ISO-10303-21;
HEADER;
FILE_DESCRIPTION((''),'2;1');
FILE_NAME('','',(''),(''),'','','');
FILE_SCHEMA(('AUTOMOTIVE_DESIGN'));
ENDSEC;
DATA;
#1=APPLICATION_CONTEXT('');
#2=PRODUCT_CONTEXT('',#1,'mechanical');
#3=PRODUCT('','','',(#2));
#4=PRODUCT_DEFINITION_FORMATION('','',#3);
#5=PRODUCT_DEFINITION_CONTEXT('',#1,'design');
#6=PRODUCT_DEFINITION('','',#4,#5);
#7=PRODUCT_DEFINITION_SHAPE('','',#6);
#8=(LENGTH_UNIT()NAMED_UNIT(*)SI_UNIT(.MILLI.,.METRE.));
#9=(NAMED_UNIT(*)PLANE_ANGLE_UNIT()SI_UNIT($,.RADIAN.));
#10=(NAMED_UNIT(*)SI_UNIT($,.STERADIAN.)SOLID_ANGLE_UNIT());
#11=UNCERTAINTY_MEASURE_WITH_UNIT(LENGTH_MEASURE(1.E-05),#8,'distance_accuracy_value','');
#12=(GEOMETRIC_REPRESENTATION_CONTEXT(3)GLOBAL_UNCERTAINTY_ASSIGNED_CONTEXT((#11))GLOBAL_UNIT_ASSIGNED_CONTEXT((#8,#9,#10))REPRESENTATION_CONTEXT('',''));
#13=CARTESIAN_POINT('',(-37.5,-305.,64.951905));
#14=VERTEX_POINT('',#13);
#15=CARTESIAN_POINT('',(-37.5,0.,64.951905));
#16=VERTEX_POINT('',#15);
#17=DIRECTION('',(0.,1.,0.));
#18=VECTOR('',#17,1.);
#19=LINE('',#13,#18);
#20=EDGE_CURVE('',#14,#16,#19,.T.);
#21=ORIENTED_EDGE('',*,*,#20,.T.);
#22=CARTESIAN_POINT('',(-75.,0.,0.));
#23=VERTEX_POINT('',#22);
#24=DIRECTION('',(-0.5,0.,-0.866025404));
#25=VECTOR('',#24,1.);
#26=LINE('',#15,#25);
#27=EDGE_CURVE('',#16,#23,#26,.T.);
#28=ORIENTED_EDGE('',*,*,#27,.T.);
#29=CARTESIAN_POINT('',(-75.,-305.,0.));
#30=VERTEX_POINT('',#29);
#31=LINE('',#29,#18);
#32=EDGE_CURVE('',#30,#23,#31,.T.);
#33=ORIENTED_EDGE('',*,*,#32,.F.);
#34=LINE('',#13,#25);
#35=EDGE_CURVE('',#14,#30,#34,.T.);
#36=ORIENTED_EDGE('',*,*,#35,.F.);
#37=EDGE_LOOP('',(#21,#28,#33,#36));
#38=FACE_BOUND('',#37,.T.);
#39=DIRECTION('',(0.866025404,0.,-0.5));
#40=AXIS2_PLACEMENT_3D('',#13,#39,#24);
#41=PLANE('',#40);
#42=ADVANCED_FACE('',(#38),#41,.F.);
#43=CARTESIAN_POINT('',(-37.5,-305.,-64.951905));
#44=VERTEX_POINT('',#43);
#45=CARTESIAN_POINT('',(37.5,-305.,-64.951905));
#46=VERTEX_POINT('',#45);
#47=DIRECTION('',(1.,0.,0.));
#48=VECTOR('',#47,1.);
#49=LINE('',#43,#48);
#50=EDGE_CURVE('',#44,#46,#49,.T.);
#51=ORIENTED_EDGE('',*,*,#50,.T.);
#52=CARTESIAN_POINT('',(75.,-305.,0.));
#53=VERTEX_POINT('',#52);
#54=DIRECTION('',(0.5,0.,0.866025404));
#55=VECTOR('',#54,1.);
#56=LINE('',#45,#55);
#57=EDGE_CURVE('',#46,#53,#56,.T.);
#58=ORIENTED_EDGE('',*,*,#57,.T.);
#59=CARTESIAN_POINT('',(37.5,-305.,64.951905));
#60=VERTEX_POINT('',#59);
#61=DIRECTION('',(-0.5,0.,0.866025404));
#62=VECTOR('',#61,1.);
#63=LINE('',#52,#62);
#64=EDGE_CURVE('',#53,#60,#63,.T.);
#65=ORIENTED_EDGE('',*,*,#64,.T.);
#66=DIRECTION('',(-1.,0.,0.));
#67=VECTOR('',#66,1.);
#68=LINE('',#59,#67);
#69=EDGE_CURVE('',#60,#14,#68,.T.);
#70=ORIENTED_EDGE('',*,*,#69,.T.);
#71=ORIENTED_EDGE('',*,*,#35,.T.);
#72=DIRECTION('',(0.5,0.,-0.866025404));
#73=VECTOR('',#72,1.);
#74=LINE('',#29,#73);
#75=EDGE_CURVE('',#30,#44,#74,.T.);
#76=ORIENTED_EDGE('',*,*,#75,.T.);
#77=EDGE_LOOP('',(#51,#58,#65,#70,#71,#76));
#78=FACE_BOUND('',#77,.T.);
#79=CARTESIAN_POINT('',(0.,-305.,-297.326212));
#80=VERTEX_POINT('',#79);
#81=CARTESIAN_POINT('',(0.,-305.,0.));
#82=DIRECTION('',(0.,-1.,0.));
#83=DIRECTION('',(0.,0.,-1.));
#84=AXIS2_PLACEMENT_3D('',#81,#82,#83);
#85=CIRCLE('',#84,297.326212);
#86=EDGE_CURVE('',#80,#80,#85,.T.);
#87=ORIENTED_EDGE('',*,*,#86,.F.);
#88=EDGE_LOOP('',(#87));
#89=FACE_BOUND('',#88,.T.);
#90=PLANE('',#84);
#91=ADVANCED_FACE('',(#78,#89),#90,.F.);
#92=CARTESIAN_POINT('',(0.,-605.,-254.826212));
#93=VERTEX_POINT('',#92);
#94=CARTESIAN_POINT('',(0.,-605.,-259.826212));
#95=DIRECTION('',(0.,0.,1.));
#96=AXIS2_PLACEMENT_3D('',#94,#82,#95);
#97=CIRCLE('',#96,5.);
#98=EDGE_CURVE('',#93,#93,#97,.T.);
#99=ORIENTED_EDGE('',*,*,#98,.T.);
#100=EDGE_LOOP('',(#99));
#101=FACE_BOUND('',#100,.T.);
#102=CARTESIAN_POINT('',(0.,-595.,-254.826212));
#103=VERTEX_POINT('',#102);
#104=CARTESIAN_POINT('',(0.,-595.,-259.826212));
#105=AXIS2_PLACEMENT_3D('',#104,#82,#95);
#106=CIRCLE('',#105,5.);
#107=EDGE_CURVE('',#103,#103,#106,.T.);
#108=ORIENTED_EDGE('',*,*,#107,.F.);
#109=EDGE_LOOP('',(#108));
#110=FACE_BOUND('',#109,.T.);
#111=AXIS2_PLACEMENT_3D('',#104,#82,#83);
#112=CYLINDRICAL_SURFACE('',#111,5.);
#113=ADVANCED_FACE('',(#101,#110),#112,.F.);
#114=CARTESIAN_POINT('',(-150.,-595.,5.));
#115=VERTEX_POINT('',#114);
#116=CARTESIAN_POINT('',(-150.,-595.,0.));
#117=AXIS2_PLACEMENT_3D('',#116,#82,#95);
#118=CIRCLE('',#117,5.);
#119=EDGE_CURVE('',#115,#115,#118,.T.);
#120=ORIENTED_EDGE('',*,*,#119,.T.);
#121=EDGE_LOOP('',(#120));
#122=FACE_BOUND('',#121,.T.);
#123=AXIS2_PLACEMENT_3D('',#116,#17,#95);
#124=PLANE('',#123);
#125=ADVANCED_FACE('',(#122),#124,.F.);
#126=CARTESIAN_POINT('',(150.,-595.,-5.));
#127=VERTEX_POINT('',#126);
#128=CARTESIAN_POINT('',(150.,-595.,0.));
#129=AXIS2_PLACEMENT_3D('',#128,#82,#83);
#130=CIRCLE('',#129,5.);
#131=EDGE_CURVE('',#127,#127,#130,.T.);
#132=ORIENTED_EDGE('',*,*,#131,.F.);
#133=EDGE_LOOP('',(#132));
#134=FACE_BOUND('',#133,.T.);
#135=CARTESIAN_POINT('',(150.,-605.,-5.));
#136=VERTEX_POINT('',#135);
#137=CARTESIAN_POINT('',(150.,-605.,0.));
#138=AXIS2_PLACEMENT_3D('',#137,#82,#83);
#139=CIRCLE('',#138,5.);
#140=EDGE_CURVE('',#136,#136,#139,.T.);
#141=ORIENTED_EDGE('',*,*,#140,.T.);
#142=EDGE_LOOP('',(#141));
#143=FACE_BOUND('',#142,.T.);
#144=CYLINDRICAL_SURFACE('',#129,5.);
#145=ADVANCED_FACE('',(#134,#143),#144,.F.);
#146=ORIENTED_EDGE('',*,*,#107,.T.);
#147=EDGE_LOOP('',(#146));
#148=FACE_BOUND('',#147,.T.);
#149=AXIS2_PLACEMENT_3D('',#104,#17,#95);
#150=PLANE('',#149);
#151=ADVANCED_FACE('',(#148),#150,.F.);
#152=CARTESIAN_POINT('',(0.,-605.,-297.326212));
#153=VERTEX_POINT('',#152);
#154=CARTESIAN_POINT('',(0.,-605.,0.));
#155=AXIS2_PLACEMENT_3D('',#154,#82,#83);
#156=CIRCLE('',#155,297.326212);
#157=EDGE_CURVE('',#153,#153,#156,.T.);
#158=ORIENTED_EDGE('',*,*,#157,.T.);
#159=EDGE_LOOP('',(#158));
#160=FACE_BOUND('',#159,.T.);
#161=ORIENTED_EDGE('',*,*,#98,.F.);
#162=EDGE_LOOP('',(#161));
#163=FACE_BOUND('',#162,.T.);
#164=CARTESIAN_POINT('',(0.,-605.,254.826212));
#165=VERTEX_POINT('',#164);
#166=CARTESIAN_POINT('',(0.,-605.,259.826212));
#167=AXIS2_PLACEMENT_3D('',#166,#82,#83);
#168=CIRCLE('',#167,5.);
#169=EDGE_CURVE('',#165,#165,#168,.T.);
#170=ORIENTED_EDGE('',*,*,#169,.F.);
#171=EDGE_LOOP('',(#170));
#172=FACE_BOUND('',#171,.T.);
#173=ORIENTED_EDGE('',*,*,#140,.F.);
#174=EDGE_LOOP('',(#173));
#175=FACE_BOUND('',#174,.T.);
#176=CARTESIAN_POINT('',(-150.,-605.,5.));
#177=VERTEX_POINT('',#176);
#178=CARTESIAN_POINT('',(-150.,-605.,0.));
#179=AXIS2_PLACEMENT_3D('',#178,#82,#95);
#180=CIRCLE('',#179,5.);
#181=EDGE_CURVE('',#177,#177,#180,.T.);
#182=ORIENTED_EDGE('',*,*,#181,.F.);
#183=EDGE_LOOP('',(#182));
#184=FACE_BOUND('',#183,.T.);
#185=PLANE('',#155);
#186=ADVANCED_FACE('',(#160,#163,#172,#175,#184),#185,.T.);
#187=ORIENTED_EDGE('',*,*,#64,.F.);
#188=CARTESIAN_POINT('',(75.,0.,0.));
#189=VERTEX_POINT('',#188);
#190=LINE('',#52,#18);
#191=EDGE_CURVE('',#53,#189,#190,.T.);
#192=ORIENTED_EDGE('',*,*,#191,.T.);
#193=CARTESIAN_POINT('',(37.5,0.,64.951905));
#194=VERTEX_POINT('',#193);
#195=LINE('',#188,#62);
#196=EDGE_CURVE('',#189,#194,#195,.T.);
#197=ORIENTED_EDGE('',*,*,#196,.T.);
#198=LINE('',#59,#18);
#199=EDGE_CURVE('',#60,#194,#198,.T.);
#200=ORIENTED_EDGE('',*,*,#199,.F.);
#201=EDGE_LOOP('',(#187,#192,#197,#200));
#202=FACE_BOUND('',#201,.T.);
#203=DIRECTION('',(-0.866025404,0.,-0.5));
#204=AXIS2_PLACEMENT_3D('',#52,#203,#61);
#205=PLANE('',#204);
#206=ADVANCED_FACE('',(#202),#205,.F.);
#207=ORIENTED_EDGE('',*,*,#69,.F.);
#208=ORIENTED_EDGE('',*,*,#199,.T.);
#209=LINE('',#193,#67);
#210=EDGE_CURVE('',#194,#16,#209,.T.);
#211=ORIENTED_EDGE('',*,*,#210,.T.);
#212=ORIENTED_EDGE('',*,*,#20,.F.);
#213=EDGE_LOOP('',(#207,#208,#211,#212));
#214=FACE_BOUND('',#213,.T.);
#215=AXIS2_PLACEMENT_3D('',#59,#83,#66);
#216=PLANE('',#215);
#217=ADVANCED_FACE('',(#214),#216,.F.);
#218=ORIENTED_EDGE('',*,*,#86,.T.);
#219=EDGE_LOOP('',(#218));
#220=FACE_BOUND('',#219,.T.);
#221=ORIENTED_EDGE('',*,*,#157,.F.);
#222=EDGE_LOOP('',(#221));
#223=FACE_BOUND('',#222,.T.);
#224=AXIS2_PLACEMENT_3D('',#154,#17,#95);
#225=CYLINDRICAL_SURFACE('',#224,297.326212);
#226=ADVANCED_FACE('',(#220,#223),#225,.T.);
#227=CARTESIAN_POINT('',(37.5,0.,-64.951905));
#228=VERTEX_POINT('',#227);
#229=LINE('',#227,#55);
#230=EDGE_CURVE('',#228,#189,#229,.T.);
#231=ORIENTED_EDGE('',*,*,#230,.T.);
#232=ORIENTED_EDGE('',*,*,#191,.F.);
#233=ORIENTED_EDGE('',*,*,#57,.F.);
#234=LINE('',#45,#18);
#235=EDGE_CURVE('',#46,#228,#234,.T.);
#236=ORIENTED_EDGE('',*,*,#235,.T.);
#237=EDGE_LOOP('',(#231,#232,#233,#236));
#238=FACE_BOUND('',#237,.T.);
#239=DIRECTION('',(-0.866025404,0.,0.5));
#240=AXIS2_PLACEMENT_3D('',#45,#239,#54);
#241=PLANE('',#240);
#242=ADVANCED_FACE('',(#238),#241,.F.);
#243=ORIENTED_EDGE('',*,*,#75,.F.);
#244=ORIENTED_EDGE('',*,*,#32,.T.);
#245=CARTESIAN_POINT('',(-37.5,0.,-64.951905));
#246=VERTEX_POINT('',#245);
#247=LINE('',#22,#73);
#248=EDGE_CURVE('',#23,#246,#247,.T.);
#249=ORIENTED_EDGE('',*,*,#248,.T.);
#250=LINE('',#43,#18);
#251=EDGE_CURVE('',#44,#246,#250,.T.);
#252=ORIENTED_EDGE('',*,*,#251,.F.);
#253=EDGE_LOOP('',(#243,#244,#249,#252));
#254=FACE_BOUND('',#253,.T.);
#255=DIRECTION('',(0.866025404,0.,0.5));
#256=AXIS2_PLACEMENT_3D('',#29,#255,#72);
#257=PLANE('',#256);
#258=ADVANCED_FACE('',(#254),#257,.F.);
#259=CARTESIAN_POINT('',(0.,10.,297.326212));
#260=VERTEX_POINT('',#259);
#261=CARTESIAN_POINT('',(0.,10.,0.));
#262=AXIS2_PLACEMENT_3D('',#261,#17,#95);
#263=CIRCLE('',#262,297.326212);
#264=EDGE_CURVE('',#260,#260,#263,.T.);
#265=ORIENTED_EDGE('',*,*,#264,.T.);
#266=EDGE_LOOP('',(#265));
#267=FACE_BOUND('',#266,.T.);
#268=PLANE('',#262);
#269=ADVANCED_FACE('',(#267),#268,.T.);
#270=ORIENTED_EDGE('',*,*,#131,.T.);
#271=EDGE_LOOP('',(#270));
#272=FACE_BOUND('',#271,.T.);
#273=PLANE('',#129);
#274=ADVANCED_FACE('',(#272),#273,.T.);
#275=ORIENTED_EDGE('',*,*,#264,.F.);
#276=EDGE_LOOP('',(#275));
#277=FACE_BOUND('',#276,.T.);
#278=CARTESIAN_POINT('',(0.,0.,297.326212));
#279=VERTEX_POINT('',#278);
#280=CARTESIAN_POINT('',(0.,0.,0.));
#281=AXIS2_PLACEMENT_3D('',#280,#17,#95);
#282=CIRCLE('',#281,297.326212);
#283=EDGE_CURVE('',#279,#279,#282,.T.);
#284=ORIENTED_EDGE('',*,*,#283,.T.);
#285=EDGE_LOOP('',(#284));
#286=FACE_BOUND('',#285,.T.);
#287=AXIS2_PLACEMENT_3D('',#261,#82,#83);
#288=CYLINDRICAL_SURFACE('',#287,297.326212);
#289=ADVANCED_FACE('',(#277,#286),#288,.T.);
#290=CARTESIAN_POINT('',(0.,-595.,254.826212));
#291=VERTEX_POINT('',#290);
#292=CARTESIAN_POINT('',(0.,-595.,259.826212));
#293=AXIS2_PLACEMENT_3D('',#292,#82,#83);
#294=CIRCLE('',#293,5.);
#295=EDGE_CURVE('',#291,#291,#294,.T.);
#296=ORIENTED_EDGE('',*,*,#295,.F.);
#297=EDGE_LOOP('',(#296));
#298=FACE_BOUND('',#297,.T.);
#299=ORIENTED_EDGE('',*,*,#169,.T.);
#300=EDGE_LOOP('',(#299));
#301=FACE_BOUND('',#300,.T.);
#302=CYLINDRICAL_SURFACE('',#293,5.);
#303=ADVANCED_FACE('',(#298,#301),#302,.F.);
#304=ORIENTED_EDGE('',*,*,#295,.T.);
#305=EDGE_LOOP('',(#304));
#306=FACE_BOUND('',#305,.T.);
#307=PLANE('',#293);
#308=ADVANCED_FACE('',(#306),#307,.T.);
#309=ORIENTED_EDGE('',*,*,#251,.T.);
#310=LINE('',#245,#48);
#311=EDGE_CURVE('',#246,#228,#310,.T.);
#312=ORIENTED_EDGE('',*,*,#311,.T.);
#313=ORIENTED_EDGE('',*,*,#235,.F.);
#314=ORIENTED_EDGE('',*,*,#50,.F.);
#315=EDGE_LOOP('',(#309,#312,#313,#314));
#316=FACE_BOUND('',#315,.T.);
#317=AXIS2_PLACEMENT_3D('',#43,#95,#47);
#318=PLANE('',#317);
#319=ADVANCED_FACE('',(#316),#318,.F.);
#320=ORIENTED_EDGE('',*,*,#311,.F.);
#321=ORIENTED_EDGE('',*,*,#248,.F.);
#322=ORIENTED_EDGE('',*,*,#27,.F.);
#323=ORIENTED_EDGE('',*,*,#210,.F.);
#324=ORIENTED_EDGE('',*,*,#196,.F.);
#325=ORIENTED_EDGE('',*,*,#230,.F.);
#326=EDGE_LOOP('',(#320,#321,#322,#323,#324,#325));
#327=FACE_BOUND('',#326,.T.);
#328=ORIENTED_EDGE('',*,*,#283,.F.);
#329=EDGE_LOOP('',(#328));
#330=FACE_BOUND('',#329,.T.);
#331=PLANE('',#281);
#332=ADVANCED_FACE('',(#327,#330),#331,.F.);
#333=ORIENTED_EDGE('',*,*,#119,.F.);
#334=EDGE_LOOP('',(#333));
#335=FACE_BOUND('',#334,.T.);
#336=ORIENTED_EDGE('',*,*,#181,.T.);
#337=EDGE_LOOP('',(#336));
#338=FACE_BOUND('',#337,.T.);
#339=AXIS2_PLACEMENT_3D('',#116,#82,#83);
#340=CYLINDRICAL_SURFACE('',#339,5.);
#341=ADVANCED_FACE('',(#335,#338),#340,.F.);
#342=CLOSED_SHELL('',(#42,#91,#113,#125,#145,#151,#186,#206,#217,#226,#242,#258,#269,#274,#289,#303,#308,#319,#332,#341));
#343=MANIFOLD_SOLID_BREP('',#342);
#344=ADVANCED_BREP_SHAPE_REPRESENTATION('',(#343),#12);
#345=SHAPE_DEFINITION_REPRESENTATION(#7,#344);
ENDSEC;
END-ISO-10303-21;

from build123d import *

# Parameters (mm, degrees)
SKETCH1_R           = 297.326212148
BOSS_EXTRUDE1_DEPTH = 10
BOSS_EXTRUDE2_DEPTH = 305
BOSS_EXTRUDE3_START = 300
SKETCH3_R           = 297.326212148
BOSS_EXTRUDE3_DEPTH = 300
SKETCH5_R           = 5
CUT_EXTRUDE1_DEPTH  = 10
SKETCH6_R           = 5
CUT_EXTRUDE2_DEPTH  = 10


with BuildPart() as part:
    # Sketch1 → Boss-Extrude1 (new body)
    with BuildSketch(Plane(origin=(0, 0, 0), x_dir=(1, 0, 0), z_dir=(0, 1, 0))):
        with Locations(Location((0, 0, 0), (0, 0, 270))):
            Circle(SKETCH1_R)
    extrude(amount=BOSS_EXTRUDE1_DEPTH)

    # Sketch2 → Boss-Extrude2 (add)
    with BuildSketch(Plane.XZ):
        Polygon((75, 0), (37.5, 64.951905284), (-37.5, 64.951905284), (-75, 0), (-37.5, -64.951905284), (37.5, -64.951905284), align=None)
    extrude(amount=BOSS_EXTRUDE2_DEPTH)

    # Sketch3 → Boss-Extrude3 (add)
    with BuildSketch(Plane.XZ.offset(305).offset(BOSS_EXTRUDE3_START)):
        with Locations(Location((0, 0, 0), (0, 0, 90))):
            Circle(SKETCH3_R)
    extrude(amount=-BOSS_EXTRUDE3_DEPTH)

    # Sketch5 → Cut-Extrude1 (cut)
    with BuildSketch(Plane.XZ.offset(605)):
        with Locations(Location((150, 0, 0), (0, 0, 270))):
            Circle(SKETCH5_R)
        with Locations(Location((-150, 0, 0), (0, 0, 90))):
            Circle(SKETCH5_R)
    extrude(amount=-CUT_EXTRUDE1_DEPTH, mode=Mode.SUBTRACT)

    # Sketch6 → Cut-Extrude2 (cut)
    with BuildSketch(Plane.XZ.offset(605)):
        with Locations(Location((0, 259.826212148, 0), (0, 0, 270))):
            Circle(SKETCH6_R)
        with Locations(Location((0, -259.826212148, 0), (0, 0, 90))):
            Circle(SKETCH6_R)
    extrude(amount=-CUT_EXTRUDE2_DEPTH, mode=Mode.SUBTRACT)


solid = part.part
